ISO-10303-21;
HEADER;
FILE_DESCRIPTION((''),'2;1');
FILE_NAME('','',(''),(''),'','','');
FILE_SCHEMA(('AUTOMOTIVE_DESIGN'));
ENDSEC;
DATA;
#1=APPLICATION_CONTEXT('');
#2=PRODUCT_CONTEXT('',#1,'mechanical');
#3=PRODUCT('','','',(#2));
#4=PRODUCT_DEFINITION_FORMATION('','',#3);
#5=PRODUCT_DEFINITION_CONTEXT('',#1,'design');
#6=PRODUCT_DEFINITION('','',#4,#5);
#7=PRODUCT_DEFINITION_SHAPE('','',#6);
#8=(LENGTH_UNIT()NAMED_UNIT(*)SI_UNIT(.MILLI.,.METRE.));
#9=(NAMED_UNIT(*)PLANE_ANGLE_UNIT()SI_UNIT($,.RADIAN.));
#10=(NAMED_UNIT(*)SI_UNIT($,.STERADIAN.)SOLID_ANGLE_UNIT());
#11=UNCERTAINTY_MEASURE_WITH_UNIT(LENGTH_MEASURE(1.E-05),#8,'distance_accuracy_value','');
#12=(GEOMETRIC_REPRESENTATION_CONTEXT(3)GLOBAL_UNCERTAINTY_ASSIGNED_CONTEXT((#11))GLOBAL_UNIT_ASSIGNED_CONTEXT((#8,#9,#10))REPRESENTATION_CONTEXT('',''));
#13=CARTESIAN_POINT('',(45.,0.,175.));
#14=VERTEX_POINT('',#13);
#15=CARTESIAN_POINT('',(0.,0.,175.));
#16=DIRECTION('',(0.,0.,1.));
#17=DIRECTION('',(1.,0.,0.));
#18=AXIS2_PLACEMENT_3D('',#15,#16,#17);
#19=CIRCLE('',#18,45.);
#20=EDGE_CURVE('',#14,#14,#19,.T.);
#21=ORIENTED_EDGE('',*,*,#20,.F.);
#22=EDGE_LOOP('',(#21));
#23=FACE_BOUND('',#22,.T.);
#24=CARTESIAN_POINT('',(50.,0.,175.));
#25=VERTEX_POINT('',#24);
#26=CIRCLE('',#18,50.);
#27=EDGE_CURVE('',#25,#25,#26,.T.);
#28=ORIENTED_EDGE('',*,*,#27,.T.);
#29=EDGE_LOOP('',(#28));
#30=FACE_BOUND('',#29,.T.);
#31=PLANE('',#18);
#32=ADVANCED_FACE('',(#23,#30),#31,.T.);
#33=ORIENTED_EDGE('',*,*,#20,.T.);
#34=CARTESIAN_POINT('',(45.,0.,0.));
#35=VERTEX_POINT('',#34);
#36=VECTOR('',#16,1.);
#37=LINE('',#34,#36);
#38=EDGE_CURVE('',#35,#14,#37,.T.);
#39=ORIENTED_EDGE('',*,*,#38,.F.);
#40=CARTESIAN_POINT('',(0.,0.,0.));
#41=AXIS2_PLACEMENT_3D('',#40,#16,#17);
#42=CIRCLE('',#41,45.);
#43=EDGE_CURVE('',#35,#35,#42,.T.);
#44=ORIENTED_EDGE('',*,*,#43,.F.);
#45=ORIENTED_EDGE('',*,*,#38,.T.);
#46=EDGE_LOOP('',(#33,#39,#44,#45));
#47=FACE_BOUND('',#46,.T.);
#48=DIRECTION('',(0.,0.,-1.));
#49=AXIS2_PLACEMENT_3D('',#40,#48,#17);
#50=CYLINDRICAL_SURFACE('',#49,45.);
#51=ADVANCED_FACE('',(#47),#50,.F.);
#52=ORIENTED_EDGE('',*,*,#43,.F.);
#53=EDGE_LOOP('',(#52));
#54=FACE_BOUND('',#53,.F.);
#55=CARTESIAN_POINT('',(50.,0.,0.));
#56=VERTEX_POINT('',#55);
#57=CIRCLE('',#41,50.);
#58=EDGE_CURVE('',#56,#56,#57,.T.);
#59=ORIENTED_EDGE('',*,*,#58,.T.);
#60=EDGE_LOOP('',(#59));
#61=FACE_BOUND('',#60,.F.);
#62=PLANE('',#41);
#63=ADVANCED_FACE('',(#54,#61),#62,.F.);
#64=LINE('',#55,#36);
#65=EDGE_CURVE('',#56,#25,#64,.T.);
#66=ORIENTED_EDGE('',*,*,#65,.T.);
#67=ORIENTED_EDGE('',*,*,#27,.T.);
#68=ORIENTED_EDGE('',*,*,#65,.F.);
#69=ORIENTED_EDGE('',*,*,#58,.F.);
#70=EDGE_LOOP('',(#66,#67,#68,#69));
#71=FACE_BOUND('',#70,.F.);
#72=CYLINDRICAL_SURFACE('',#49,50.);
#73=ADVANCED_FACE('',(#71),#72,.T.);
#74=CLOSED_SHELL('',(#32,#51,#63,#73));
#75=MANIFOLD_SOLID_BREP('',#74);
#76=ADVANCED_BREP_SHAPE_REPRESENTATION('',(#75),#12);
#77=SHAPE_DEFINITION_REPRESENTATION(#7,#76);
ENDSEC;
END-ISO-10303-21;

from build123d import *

# Parameters (mm, degrees)
SKETCH_R   = 50
SKETCH_R_2 = 45
PAD_DEPTH  = 175


with BuildPart() as part:
    # Sketch (on DatumPlane) → Pad (new body)
    with BuildSketch(Plane.XY):
        Circle(SKETCH_R)
        Circle(SKETCH_R_2, mode=Mode.SUBTRACT)
    extrude(amount=PAD_DEPTH)


solid = part.part
